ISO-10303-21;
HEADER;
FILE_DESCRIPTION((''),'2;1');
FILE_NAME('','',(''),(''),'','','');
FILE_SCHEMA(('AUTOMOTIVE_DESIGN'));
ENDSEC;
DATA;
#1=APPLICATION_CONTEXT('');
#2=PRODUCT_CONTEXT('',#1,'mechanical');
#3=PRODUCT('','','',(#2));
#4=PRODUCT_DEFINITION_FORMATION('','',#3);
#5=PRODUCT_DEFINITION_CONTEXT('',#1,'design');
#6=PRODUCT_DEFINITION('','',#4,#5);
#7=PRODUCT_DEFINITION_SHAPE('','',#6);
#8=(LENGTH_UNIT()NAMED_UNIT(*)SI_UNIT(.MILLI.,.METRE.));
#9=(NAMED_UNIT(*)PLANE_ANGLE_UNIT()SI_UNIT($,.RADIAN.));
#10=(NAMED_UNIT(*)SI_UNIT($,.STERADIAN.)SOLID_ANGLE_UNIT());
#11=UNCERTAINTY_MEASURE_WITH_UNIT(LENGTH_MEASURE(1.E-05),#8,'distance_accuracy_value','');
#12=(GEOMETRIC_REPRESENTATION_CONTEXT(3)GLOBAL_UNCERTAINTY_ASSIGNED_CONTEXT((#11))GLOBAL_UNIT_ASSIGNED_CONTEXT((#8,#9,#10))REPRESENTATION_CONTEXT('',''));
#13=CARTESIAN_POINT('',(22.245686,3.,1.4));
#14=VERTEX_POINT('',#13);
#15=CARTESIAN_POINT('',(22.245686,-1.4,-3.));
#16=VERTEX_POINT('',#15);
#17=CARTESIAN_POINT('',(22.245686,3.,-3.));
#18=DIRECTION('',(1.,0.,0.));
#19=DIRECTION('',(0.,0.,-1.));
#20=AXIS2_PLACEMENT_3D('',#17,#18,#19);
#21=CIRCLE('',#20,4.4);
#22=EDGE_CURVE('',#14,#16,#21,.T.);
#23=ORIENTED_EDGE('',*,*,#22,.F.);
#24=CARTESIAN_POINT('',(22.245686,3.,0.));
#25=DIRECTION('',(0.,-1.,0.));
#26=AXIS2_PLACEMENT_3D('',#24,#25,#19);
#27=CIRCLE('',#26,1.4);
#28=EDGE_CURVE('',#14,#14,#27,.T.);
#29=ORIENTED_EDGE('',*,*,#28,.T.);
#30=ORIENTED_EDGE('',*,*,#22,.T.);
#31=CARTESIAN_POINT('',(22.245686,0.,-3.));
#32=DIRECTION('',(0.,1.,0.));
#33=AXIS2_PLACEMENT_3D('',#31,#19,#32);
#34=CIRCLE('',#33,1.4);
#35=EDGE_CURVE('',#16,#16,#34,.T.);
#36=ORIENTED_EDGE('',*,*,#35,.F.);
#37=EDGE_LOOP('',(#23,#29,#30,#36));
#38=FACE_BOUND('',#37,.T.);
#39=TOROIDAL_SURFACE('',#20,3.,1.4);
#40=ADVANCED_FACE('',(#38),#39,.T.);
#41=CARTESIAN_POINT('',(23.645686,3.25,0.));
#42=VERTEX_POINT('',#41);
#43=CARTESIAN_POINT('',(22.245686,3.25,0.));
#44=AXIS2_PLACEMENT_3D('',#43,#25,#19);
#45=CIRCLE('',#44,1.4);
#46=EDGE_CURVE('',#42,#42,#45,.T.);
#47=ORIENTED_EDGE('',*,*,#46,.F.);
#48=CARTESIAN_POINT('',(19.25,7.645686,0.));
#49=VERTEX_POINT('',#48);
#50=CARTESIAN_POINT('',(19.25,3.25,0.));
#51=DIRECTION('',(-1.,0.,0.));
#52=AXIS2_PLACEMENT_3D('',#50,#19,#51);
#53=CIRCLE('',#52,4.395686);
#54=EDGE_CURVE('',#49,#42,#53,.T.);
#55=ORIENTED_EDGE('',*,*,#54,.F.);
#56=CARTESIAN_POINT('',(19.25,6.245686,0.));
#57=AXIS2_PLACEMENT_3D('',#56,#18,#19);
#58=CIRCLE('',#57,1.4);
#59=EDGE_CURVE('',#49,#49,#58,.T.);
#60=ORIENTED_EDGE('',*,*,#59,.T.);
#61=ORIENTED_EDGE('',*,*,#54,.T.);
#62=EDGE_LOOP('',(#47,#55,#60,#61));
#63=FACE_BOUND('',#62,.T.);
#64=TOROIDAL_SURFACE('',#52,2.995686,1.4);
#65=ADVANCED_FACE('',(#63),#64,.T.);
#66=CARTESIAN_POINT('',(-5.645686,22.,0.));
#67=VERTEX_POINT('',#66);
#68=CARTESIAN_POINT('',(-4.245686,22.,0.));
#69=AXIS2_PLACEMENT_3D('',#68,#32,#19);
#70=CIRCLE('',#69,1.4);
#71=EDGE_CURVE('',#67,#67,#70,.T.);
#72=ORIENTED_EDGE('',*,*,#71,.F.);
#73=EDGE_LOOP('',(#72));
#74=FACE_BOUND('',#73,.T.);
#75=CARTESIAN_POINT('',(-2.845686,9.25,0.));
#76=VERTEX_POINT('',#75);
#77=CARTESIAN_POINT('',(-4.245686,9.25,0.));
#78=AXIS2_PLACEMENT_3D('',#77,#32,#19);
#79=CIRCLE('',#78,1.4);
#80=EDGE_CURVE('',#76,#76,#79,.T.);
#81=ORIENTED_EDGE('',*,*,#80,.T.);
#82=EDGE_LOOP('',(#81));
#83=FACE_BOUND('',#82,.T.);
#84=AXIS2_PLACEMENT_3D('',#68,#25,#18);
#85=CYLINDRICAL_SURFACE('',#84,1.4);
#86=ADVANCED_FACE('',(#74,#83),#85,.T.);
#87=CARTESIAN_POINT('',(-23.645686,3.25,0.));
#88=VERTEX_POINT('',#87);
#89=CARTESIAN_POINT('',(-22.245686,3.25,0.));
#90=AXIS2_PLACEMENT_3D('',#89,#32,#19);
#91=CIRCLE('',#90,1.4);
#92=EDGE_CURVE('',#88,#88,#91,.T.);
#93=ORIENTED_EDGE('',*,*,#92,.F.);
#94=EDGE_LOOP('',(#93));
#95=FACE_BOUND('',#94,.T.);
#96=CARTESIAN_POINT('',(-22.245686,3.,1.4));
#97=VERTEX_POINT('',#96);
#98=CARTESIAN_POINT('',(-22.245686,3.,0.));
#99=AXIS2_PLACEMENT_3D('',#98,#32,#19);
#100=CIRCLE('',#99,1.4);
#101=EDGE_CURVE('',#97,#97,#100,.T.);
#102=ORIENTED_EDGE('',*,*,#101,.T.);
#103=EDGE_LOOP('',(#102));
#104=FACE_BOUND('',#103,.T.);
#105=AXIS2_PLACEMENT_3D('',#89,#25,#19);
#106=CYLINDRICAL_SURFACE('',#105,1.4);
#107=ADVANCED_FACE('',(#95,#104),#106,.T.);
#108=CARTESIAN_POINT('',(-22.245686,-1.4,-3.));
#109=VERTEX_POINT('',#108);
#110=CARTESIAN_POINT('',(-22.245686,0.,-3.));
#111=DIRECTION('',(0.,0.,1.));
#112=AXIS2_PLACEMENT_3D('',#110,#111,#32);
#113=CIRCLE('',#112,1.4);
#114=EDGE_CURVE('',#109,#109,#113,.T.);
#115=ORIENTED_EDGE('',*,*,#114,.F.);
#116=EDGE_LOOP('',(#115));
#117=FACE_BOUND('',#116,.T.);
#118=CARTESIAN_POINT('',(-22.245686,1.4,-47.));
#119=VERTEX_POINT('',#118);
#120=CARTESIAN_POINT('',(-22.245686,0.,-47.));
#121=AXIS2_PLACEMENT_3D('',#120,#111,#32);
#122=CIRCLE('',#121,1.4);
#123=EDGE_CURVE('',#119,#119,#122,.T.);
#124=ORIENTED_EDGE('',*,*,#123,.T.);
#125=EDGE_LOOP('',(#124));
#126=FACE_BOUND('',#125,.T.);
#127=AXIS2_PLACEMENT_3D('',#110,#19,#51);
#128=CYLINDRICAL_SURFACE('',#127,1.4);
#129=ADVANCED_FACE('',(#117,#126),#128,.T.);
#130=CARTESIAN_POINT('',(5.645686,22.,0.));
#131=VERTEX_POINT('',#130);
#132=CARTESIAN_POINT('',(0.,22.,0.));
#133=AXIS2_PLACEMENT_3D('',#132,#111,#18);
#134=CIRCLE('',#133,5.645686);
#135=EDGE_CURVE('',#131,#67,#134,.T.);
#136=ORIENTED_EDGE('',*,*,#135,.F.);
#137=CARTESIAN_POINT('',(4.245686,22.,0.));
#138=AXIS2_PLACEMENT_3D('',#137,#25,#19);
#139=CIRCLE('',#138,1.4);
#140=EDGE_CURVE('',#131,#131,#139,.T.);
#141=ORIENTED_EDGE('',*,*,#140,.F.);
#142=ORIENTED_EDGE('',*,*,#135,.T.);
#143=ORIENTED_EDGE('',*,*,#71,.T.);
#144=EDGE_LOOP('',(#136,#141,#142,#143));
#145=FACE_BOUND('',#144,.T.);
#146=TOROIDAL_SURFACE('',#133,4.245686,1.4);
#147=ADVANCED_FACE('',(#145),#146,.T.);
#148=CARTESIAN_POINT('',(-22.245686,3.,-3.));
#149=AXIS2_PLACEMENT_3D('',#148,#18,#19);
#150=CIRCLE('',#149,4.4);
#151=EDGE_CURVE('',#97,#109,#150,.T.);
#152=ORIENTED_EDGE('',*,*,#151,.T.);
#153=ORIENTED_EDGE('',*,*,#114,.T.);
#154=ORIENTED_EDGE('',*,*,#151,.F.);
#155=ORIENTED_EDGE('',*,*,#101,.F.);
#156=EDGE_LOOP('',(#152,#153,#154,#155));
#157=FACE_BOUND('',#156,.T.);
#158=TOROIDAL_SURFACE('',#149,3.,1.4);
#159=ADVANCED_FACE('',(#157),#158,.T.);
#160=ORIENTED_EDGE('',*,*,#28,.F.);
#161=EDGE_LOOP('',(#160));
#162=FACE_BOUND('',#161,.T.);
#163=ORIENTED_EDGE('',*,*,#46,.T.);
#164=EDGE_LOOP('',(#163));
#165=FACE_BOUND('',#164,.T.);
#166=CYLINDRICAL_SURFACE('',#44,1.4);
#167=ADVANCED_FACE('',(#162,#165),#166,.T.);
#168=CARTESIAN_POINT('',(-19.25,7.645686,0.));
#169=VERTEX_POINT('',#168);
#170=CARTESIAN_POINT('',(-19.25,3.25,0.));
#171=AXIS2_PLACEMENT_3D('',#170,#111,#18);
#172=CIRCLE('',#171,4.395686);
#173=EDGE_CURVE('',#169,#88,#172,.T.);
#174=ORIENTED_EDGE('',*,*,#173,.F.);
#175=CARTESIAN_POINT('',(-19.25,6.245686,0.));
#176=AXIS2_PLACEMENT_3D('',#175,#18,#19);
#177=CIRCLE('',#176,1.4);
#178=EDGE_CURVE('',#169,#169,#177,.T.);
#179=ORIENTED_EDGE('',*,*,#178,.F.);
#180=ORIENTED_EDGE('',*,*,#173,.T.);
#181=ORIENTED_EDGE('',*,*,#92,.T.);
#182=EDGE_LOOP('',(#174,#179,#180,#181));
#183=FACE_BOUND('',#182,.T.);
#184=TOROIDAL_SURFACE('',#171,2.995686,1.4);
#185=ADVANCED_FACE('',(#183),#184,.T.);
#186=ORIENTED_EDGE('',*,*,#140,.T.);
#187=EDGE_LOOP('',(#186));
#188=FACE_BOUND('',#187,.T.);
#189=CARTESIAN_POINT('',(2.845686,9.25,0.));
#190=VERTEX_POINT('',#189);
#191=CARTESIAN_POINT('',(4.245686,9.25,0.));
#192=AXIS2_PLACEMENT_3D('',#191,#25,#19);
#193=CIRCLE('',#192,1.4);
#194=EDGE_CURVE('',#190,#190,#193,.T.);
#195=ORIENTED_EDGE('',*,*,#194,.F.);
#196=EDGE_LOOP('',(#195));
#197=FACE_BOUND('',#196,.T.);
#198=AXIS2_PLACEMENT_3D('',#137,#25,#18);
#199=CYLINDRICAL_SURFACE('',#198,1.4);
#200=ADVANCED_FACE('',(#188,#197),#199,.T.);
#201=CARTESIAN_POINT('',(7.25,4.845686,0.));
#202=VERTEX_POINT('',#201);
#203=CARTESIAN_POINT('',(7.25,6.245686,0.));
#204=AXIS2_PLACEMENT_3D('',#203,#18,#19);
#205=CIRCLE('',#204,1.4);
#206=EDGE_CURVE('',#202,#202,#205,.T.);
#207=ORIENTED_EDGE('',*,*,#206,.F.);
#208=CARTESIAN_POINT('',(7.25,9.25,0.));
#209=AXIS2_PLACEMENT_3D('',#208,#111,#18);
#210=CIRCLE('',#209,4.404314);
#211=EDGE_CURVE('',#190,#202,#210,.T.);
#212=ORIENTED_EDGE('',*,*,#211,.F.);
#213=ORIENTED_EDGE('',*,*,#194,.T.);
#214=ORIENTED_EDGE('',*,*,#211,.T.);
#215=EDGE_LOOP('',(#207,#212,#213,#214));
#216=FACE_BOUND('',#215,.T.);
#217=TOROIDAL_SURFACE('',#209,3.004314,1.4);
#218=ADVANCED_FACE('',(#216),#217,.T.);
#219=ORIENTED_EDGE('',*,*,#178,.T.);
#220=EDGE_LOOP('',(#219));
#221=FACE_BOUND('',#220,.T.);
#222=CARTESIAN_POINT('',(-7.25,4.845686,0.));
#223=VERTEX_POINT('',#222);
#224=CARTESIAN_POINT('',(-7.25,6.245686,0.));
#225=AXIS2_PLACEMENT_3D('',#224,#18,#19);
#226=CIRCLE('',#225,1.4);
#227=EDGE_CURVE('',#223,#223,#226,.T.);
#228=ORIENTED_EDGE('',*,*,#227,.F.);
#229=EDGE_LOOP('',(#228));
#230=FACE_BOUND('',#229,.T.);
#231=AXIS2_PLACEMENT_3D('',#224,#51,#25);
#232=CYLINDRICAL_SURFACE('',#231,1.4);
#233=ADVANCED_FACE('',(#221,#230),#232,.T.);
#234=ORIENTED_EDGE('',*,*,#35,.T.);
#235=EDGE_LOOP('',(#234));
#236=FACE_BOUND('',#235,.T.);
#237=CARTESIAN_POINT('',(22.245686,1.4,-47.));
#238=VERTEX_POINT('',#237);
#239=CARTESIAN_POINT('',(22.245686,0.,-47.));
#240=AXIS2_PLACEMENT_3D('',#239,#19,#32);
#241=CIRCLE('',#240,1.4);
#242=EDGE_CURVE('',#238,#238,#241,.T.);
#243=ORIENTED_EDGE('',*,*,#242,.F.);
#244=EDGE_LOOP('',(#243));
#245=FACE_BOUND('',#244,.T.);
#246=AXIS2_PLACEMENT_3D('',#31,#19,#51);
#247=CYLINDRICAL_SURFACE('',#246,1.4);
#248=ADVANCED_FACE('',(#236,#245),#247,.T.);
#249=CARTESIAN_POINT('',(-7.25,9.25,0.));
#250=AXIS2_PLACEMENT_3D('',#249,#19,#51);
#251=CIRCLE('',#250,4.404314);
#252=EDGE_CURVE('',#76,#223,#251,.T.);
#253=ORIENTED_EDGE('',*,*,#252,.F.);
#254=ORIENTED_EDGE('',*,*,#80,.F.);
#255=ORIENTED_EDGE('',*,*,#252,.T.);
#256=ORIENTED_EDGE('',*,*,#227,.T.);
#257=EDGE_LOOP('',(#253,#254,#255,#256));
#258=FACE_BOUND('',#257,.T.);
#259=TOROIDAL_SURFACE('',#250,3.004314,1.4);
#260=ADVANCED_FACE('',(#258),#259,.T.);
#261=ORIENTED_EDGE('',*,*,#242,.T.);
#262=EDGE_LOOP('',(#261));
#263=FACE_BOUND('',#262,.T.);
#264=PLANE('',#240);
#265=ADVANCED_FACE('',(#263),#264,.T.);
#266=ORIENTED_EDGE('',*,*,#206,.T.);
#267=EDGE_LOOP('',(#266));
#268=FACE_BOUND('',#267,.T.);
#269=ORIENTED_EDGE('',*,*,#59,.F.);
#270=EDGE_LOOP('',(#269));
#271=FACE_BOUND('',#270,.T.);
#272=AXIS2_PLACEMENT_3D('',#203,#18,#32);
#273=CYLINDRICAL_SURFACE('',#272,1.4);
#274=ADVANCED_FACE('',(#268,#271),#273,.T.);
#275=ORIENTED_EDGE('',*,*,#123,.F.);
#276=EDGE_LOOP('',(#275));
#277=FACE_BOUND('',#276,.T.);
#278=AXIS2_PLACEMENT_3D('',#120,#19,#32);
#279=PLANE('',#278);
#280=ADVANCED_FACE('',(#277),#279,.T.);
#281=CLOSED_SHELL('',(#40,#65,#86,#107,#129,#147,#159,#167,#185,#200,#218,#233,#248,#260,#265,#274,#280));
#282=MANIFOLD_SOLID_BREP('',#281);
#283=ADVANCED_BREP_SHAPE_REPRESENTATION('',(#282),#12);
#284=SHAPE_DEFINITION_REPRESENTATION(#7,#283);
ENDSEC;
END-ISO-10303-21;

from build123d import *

# Parameters (mm, degrees)
SKETCH_6_R = 1.4


with BuildPart() as part:
    # 扫描2: sweep along a curve in space
    with BuildLine() as sweep_2_path:
        ThreePointArc((0, 26.25, 0), (3.00520382, 25.00520382, 0), (4.25, 22, 0))
        Line((4.25, 22, 0), (4.25, 9.25, 0))
        ThreePointArc((4.25, 9.25, 0), (5.128679656, 7.128679656, 0), (7.25, 6.25, 0))
        Line((7.25, 6.25, 0), (19.25, 6.25, 0))
        ThreePointArc((19.25, 6.25, 0), (21.371320344, 5.371320344, 0), (22.25, 3.25, 0))
        Line((22.25, 3.25, 0), (22.25, 3, 0))
        ThreePointArc((22.25, 3, 0), (22.25, 0.878679656, -0.878679656), (22.25, 0, -3))
        Line((22.25, 0, -3), (22.25, 0, -47))
    # 草图6 → 扫描2 (sweep)
    with BuildSketch(Plane(origin=(0, 0, 0), x_dir=(0, 0, -1), z_dir=(1, 0, 0))):
        with Locations((0, 26.245686093)):
            Circle(SKETCH_6_R)
    sweep_2 = sweep(path=sweep_2_path.line)

    # 镜向1: 扫描2 across plane
    add(sweep_2.mirror(Plane(origin=(0, 0, 0), x_dir=(0, 0, 1), z_dir=(1, 0, 0))))


solid = part.part
